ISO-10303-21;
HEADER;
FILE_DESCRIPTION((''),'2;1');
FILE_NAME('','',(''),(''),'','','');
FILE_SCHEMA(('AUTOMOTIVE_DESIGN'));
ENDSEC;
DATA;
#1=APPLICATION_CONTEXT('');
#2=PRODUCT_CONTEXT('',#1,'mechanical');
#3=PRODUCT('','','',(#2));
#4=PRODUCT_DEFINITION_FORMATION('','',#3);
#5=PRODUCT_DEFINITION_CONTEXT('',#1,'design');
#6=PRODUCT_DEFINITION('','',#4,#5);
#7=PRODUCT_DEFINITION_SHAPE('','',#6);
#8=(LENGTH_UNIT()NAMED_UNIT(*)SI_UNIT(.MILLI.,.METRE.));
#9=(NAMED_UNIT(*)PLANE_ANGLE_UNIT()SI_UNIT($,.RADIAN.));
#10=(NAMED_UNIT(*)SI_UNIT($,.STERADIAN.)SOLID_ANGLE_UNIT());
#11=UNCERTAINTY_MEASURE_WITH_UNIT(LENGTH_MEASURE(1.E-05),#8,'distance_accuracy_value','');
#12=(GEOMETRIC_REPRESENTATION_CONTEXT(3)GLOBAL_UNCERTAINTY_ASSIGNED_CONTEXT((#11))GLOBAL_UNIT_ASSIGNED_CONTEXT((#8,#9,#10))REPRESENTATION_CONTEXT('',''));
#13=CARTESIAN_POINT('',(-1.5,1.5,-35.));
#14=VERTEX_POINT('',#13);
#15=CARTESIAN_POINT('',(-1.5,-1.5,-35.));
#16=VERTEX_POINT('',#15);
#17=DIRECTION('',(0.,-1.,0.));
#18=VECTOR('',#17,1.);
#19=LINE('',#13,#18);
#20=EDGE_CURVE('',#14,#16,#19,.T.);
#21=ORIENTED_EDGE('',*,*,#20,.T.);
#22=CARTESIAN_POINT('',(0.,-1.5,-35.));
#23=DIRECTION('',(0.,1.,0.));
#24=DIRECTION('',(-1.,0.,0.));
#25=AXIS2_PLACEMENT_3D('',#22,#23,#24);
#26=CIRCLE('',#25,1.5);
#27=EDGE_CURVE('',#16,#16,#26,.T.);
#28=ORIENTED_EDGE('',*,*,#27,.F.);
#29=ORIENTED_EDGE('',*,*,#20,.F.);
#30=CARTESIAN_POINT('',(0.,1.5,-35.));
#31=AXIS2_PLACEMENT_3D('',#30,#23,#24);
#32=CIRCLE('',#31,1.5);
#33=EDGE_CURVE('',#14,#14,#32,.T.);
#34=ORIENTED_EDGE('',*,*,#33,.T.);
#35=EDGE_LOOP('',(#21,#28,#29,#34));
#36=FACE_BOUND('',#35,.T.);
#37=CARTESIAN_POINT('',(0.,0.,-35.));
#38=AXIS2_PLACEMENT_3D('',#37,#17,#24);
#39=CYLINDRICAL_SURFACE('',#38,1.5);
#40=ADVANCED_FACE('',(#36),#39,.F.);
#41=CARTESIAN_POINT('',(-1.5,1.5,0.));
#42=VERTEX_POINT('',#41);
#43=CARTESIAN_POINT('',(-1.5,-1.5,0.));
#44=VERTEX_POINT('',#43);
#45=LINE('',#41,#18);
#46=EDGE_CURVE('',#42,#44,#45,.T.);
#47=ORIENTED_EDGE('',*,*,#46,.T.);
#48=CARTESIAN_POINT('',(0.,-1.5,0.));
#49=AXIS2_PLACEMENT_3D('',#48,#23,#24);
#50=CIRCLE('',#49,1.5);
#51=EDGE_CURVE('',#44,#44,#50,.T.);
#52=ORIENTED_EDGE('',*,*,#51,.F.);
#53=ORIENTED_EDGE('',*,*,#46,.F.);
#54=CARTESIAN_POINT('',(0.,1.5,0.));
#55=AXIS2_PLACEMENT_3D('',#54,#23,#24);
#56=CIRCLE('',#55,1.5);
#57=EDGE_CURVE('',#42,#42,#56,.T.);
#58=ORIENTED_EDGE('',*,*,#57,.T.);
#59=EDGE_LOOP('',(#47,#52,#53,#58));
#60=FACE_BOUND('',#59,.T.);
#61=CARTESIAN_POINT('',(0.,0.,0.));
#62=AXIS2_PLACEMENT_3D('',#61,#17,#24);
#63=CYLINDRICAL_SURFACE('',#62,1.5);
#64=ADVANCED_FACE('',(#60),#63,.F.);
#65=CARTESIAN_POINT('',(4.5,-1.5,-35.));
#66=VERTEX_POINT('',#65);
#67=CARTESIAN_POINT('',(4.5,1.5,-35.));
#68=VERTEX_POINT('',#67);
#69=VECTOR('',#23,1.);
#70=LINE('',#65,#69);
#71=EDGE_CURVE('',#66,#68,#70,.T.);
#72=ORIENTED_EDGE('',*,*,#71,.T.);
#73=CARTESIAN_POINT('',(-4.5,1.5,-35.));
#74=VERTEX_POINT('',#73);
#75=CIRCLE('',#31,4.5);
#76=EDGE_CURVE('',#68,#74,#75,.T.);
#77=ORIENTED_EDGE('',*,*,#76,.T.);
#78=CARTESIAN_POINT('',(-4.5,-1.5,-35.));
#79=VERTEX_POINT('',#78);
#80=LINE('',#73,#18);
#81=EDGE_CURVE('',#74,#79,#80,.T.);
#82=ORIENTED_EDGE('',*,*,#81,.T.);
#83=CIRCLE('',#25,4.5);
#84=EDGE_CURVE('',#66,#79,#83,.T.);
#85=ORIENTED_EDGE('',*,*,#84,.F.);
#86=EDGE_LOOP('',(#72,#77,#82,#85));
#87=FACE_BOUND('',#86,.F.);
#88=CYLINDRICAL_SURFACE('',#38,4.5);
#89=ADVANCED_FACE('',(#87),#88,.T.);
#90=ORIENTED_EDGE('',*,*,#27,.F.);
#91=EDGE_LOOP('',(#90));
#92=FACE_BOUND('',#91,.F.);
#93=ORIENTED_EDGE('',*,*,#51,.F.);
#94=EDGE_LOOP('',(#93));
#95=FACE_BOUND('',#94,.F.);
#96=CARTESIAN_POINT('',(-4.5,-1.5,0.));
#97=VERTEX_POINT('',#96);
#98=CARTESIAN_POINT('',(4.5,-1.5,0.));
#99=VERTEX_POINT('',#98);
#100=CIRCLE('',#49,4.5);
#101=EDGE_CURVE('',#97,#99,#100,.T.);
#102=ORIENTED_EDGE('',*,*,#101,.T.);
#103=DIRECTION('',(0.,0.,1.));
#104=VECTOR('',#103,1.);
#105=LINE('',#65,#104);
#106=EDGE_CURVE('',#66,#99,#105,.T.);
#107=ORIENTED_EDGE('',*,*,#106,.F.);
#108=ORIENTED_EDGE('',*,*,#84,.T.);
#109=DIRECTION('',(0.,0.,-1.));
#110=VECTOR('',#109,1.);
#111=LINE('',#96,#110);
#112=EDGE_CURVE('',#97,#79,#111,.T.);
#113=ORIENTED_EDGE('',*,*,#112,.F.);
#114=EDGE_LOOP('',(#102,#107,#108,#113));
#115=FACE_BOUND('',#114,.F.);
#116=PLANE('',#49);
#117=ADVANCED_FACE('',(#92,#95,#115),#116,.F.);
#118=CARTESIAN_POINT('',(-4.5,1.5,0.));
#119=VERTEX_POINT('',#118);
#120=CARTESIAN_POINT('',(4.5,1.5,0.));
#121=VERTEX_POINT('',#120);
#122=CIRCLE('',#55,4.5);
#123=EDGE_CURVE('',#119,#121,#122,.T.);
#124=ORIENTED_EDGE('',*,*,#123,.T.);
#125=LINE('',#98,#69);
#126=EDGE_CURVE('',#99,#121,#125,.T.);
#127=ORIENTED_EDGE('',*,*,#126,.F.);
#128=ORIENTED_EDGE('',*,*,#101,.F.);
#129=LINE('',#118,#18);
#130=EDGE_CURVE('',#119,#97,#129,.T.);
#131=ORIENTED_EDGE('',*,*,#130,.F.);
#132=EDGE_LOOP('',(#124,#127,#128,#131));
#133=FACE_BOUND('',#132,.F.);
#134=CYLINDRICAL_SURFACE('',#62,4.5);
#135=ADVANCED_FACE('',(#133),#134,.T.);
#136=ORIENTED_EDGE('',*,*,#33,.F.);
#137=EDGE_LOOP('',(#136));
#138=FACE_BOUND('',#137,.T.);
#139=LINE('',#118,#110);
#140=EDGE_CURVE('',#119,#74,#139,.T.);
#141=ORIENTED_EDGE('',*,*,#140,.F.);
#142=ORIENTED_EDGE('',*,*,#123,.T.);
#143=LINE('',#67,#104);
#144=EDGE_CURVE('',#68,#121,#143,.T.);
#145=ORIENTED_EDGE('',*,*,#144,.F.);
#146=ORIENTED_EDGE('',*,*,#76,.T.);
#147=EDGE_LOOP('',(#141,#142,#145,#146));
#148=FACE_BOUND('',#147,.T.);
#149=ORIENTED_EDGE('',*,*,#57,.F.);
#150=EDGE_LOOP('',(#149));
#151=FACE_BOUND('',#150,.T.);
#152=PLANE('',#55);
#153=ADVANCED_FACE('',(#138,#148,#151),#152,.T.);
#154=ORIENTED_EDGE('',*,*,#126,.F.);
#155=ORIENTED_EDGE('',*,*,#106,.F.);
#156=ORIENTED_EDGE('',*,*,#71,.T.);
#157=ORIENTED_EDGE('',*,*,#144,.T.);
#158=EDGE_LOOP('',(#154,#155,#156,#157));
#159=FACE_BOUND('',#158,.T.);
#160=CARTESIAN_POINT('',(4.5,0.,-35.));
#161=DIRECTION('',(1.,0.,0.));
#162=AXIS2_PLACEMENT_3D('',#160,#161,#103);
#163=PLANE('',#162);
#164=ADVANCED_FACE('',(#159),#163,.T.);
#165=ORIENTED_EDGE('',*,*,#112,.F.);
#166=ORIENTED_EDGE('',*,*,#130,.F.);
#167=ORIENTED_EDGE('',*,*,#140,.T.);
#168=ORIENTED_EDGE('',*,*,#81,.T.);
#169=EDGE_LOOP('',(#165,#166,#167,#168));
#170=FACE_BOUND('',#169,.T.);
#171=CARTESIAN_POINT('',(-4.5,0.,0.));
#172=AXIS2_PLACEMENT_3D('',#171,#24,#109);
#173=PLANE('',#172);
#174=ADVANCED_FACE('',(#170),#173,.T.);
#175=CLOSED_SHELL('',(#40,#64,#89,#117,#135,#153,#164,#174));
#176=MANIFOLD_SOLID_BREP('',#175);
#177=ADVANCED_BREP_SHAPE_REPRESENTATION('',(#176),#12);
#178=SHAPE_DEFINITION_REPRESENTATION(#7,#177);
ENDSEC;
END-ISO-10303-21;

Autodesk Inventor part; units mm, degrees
ref_plane "YZ Plane" through (0, 0, 0) normal (1, 0, 0) x (0, 1, 0)
ref_plane "XZ Plane" through (0, 0, 0) normal (0, 1, 0) x (-1, 0, 0)
ref_plane "XY Plane" through (0, 0, 0) normal (0, 0, 1) x (1, 0, 0)
sketch "Sketch1" plane through (0, 0, 0) normal (0, 1, 0) x (-1, 0, 0)
  circle A0 centre (0, 0) radius 1.5
  line L0 (0, 0) -> (0, -35) construction
  circle A1 centre (0, -35) radius 1.5
  circle A2 centre (0, 0) radius 4.5
  circle A3 centre (0, -35) radius 4.5
  line L1 (4.5, 0) -> (4.5, -35)
  line L2 (-4.5, -35) -> (-4.5, 0)
  dimension "d0" = 3
  dimension "d1" = 3
  dimension "d2" = 3
  dimension "d3" = 3
  dimension "d4" = 35
extrude "Extrusion1" add sketch "Sketch1" along normal mid plane 3
properties part number "barras_micro"
